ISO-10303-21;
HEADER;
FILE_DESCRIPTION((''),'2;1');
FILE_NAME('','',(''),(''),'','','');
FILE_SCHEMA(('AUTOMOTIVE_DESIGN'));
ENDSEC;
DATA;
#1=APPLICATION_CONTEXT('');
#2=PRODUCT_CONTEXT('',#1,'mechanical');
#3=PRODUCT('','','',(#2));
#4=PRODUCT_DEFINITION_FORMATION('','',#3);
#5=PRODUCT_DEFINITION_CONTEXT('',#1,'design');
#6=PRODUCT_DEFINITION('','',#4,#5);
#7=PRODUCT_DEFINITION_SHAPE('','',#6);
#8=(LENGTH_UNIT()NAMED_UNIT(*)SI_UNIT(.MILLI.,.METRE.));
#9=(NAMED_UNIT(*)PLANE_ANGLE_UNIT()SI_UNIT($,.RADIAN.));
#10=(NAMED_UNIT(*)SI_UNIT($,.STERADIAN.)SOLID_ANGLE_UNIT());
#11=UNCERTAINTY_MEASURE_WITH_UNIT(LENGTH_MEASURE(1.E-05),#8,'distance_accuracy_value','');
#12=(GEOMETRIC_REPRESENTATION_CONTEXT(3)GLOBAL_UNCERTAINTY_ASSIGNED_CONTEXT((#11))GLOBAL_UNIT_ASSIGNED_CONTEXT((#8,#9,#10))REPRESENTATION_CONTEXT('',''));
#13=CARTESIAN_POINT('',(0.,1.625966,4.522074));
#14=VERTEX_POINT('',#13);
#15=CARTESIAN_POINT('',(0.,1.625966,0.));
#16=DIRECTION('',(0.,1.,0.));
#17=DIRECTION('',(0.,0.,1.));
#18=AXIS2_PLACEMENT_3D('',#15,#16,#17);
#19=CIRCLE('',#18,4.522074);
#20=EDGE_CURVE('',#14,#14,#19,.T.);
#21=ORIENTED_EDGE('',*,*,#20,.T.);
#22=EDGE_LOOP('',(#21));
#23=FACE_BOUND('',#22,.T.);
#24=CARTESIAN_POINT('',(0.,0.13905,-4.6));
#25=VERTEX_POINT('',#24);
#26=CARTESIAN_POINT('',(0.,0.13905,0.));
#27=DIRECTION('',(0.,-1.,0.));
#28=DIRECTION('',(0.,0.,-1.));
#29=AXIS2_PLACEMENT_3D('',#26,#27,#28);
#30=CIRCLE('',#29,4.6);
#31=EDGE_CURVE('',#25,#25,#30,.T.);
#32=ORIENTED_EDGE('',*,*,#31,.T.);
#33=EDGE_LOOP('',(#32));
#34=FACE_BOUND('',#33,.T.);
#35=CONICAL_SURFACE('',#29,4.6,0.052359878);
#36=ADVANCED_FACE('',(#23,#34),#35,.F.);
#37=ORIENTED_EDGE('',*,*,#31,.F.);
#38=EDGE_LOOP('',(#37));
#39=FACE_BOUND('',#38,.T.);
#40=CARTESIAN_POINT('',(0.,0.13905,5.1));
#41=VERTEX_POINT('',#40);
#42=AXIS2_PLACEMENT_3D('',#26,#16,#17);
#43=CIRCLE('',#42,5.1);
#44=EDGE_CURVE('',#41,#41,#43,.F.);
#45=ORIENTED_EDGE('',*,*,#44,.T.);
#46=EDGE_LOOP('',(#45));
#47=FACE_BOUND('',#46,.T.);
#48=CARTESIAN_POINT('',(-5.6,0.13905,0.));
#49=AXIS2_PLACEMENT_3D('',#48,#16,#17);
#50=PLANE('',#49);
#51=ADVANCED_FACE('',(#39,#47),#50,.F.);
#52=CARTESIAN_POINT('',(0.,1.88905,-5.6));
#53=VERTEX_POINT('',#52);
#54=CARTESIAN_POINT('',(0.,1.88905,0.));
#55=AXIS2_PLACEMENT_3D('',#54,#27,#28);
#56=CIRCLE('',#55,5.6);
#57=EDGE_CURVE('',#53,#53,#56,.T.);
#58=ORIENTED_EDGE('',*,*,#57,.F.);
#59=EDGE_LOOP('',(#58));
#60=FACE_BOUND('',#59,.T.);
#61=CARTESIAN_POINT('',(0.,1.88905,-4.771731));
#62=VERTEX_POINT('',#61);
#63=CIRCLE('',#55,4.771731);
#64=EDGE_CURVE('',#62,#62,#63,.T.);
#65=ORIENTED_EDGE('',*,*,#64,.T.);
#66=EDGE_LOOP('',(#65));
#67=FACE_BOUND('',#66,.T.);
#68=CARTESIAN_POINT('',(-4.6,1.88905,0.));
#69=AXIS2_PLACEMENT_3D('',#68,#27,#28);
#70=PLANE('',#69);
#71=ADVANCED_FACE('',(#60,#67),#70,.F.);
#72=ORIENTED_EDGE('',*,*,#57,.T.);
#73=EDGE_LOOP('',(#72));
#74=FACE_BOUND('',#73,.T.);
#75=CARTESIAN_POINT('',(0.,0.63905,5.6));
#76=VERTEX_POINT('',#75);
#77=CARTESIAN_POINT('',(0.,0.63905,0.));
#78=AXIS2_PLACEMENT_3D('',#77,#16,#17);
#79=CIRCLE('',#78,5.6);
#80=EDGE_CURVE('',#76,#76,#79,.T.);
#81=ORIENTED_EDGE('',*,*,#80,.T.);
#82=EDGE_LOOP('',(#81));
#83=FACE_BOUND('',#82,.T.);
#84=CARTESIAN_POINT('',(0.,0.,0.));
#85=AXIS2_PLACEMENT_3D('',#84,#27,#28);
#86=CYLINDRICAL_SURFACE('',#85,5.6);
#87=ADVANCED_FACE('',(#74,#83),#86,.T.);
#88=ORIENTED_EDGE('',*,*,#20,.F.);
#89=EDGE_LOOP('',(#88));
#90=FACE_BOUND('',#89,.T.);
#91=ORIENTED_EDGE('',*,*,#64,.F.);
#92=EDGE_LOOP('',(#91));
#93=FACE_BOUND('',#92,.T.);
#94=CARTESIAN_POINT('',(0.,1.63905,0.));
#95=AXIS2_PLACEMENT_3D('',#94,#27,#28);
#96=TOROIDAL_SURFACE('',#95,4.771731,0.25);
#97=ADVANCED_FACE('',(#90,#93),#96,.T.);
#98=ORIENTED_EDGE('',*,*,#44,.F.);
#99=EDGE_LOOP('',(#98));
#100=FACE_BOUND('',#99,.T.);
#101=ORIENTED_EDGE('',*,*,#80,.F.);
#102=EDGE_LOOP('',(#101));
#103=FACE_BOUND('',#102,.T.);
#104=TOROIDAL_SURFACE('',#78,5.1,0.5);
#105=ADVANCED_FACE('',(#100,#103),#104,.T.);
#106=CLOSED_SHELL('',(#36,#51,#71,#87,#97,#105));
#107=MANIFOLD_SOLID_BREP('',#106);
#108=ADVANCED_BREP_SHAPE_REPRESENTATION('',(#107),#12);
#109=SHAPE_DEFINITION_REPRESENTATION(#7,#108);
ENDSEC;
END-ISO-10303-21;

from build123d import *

# Parameters (mm, degrees)
FILLET1_R = 0.5
FILLET2_R = 0.25


with BuildPart() as part:
    # Sketch1 → Revolve1 (revolve)
    with BuildSketch(Plane.XY, mode=Mode.PRIVATE) as revolve1_sk:
        Polygon((-4.6, 0.139049855), (-4.508286386, 1.889049855), (-4.6, 1.889049855), (-5.6, 1.889049855), (-5.6, 0.139049855), align=None)
    revolve(revolve1_sk.sketch.rotate(Axis((0, 0, 0), (0, 1, 0)), 270), axis=Axis((0, 0, 0), (0, 1, 0)))

    # Fillet1
    fillet1_edges = [part.edges().sort_by_distance(p)[0] for p in [
        (0, 0.139049855, 5.6),
    ]]
    fillet(fillet1_edges, radius=FILLET1_R)

    # Fillet2
    fillet2_edges = [part.edges().sort_by_distance(p)[0] for p in [
        (0, 1.889049855, 4.508286386),
    ]]
    fillet(fillet2_edges, radius=FILLET2_R)


solid = part.part
